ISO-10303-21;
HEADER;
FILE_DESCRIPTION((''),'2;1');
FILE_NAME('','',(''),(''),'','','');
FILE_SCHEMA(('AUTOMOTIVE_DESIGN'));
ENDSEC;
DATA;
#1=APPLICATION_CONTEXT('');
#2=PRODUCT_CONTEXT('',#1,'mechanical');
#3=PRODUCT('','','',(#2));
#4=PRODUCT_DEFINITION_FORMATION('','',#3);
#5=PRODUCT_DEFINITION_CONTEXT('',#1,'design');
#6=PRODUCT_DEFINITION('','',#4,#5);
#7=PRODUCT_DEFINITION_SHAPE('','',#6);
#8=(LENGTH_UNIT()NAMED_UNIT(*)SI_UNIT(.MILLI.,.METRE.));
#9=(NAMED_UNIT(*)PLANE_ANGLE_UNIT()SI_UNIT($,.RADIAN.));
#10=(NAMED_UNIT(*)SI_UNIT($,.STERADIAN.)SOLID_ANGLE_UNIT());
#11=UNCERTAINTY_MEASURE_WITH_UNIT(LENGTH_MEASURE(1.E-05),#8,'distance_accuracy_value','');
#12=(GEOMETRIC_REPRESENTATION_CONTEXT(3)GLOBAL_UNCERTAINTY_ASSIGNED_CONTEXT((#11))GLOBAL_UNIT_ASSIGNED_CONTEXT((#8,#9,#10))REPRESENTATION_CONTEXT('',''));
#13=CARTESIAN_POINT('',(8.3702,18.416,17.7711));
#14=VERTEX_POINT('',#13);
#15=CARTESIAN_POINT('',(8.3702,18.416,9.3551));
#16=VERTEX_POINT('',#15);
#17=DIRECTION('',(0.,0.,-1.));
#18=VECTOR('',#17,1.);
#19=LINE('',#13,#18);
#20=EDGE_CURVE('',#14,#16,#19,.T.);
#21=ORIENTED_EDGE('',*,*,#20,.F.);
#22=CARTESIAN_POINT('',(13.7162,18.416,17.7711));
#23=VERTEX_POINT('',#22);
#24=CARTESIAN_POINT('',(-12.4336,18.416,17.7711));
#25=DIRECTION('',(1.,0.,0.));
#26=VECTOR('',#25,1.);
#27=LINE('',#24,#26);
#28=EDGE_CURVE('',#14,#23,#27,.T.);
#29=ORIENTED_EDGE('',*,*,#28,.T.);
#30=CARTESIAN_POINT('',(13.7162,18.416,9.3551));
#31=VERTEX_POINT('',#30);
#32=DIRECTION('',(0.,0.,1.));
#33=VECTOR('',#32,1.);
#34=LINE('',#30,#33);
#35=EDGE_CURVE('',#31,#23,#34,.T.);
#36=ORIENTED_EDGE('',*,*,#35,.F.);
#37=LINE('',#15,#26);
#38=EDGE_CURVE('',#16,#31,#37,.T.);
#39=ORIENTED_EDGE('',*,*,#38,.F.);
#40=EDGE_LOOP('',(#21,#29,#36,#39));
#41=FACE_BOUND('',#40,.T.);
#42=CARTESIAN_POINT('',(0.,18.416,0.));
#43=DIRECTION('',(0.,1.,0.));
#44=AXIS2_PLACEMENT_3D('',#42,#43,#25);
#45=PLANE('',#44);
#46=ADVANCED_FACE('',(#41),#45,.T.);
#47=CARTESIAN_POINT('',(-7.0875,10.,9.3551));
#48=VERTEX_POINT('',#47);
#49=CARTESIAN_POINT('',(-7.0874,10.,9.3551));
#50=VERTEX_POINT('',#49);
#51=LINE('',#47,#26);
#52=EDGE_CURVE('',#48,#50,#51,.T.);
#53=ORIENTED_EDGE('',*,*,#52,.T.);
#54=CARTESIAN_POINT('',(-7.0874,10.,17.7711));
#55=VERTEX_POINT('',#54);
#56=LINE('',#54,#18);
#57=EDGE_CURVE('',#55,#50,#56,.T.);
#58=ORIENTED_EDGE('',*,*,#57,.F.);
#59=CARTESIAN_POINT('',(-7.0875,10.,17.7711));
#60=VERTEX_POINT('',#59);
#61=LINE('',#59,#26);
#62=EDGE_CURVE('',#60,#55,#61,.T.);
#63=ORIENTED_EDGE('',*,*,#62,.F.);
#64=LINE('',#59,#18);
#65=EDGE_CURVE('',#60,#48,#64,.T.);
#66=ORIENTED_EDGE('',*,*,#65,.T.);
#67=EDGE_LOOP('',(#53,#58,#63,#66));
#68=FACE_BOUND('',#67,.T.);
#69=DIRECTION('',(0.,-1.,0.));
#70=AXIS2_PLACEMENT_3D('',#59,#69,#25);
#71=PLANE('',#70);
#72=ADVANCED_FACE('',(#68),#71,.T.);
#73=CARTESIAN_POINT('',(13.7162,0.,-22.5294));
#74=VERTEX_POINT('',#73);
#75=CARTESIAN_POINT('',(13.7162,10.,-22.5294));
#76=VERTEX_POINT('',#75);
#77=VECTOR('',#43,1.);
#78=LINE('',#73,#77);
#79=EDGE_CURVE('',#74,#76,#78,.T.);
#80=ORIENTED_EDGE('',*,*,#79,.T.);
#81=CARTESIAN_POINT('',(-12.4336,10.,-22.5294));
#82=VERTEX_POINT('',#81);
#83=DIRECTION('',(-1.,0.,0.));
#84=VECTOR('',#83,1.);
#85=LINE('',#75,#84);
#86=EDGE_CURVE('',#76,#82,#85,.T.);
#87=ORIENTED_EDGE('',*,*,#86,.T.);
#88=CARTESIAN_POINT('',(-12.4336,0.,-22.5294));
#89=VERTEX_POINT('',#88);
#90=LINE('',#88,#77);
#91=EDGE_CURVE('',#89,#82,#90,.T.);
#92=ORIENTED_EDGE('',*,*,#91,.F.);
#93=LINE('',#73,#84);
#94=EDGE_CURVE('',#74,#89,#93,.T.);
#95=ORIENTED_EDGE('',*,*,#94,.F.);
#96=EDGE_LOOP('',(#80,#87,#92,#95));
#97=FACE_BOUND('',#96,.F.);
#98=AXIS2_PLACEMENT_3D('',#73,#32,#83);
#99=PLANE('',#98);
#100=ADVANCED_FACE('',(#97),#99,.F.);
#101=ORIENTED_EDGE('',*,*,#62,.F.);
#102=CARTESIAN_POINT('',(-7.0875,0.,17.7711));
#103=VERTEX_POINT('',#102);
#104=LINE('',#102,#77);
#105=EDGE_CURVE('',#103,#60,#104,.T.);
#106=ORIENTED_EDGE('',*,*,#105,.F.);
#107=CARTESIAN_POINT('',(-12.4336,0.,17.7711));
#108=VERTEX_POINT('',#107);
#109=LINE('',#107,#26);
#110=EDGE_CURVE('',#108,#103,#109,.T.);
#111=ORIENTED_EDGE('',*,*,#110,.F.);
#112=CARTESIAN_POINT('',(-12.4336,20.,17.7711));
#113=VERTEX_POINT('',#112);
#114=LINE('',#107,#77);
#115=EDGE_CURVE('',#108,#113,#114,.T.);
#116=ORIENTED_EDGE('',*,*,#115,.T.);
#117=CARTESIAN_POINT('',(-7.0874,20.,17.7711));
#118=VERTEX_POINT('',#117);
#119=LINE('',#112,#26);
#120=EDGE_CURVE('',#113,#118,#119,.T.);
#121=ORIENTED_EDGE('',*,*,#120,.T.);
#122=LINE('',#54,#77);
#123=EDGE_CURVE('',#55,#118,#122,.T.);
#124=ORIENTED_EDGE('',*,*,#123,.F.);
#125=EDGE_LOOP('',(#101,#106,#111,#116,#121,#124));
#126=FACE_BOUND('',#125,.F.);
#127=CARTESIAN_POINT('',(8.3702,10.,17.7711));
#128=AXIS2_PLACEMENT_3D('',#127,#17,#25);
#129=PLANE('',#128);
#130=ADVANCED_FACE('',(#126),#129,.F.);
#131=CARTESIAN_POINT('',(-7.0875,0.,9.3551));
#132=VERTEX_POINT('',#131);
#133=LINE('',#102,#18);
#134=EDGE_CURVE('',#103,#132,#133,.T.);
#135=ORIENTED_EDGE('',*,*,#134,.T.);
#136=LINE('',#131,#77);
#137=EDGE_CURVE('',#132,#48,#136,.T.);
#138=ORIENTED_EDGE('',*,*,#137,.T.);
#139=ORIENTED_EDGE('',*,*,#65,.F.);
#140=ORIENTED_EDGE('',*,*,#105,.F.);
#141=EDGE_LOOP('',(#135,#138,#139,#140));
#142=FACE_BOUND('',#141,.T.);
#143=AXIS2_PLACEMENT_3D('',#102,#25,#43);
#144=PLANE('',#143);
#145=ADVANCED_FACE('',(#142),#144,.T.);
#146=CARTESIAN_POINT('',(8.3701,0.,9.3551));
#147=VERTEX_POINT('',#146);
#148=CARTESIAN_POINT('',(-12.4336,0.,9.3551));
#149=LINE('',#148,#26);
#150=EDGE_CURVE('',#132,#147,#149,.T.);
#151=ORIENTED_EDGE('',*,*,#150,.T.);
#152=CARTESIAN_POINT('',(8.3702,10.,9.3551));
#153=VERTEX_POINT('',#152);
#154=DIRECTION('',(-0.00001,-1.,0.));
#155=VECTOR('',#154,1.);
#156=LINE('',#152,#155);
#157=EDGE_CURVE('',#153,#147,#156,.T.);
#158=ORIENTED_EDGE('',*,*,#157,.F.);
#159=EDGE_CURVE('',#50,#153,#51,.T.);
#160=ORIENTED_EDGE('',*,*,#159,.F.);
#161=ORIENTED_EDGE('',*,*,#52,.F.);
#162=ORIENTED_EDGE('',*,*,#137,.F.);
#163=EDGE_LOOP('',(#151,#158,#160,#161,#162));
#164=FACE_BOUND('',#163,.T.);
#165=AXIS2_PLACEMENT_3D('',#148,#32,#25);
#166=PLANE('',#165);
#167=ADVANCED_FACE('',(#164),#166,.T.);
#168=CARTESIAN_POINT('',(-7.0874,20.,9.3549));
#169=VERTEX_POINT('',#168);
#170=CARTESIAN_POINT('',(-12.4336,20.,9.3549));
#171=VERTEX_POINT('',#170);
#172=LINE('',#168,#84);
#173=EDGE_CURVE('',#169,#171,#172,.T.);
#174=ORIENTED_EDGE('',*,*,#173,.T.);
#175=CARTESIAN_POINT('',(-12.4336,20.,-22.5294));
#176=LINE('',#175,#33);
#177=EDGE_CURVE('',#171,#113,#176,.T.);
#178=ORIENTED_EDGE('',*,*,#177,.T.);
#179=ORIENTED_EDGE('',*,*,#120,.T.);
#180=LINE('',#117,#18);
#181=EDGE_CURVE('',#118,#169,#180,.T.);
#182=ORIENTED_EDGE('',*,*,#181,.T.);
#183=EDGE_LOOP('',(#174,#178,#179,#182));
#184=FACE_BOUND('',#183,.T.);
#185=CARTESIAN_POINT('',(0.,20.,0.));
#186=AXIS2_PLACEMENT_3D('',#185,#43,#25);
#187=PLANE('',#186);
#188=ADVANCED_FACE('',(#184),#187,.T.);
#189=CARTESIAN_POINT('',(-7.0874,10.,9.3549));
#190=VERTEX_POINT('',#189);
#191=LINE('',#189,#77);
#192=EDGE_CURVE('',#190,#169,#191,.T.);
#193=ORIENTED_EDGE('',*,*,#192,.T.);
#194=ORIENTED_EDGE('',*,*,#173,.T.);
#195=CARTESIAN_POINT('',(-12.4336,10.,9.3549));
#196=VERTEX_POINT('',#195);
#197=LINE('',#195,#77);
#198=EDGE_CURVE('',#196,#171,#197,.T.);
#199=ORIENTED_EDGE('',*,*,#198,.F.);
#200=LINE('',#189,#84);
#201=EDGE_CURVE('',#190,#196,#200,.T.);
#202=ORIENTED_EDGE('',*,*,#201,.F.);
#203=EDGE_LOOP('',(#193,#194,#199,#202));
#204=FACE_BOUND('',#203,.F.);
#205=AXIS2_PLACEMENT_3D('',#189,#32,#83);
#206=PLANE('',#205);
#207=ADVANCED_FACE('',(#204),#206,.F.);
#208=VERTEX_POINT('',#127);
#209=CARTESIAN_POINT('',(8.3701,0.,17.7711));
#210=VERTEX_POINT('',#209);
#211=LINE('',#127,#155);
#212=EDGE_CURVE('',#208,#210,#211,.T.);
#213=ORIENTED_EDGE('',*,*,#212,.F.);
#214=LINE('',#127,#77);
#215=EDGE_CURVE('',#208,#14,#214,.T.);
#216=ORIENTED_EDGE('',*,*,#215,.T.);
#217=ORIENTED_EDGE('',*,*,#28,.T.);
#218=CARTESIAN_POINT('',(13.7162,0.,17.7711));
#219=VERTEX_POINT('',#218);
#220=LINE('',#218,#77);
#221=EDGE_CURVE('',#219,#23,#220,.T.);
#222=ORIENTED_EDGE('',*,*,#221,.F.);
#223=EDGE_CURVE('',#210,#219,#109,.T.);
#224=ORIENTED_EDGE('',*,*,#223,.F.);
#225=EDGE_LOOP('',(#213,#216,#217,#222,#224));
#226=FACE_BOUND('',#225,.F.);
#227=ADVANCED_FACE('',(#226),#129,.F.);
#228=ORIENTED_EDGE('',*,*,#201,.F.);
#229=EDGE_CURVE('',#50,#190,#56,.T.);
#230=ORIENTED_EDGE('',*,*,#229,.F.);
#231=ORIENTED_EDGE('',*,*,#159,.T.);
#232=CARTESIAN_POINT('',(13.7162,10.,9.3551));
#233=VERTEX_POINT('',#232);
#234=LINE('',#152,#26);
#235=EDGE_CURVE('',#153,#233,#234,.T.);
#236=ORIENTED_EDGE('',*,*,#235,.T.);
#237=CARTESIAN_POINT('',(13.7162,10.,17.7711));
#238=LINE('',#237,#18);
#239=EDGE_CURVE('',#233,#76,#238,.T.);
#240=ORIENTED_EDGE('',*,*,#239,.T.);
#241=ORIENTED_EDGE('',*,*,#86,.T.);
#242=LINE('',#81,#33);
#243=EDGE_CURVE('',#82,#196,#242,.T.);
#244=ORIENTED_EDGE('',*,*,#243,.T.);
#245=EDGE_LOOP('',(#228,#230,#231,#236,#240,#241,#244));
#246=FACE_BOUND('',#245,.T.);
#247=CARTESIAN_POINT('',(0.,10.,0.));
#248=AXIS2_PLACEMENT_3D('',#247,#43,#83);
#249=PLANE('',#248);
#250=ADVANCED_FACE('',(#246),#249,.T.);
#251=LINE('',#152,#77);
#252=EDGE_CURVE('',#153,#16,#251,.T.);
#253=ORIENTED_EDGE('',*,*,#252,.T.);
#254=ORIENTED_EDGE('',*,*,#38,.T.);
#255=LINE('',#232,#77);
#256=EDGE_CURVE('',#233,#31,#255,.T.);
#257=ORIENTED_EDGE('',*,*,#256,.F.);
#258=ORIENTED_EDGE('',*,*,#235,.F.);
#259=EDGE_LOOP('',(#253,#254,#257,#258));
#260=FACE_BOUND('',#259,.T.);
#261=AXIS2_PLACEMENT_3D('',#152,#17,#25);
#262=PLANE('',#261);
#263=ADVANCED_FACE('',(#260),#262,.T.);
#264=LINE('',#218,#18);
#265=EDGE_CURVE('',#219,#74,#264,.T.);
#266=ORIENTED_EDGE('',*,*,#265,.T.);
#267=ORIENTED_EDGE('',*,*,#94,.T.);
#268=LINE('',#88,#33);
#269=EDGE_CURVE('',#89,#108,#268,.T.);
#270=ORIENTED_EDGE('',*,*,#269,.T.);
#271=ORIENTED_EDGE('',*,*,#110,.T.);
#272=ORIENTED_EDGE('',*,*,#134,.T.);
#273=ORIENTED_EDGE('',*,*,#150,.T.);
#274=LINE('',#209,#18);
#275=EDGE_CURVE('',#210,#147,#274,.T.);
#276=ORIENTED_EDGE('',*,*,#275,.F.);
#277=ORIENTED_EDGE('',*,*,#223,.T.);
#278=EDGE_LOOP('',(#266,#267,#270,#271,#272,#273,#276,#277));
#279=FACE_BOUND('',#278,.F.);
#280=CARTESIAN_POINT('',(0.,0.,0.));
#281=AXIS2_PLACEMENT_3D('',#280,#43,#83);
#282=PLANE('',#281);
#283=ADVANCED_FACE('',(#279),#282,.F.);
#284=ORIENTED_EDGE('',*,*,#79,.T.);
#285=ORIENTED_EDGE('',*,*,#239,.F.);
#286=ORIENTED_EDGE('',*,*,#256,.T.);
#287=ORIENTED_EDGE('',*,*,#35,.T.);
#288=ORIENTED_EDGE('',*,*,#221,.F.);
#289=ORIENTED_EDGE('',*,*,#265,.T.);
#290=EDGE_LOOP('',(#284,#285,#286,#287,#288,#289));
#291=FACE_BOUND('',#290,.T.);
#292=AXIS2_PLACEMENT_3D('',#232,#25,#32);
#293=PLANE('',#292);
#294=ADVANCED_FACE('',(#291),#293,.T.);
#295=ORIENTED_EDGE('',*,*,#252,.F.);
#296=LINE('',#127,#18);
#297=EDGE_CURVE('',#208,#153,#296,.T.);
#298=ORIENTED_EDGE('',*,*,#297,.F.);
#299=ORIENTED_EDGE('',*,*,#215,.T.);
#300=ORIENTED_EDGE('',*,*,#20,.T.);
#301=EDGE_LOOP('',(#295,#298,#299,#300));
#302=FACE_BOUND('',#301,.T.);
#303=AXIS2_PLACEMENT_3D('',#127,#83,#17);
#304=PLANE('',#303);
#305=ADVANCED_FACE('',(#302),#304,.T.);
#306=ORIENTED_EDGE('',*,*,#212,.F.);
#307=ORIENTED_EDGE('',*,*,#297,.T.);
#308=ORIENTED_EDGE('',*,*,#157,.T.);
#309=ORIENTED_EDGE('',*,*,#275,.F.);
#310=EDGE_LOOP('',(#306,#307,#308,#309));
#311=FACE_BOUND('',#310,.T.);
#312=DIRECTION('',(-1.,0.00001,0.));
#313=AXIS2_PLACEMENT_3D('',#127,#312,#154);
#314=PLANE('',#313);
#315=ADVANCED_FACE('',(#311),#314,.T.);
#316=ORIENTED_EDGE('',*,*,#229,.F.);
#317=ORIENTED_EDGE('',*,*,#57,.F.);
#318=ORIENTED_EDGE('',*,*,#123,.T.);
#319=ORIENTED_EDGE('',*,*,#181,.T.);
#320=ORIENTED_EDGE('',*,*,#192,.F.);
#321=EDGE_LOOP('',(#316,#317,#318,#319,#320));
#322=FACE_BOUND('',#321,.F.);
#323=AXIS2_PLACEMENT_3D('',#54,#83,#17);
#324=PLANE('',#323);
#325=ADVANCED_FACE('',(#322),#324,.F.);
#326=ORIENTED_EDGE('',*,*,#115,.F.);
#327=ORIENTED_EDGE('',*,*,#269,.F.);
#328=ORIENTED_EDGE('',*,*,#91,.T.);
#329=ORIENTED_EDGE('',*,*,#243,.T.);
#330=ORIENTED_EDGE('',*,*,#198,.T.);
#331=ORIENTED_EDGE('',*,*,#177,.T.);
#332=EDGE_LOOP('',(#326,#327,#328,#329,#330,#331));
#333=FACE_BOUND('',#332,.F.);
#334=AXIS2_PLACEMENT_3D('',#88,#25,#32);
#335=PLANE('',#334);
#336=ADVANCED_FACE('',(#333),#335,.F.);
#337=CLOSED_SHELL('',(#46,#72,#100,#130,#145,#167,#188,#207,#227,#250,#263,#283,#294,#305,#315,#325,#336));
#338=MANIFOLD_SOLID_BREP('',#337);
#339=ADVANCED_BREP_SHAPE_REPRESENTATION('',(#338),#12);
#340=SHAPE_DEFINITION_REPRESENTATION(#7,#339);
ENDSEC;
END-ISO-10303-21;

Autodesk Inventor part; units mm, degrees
ref_plane "YZ Plane" through (0, 0, 0) normal (1, 0, 0) x (0, 1, 0)
ref_plane "XZ Plane" through (0, 0, 0) normal (0, 1, 0) x (-1, 0, 0)
ref_plane "XY Plane" through (0, 0, 0) normal (0, 0, 1) x (1, 0, 0)
sketch "스케치2" plane through (0, 0, 0) normal (0, 1, 0) x (-1, 0, 0)
  line L0 (12.4336, 17.7711) -> (-13.7162, 17.7711)
  line L1 (-13.7162, 17.7711) -> (-13.7162, -22.5294)
  line L2 (-13.7162, -22.5294) -> (12.4336, -22.5294)
  line L3 (12.4336, -22.5294) -> (12.4336, 17.7711)
  point P0 (0, 0)
extrude "돌출1" add sketch "스케치2" along normal blind 10
sketch "스케치3" plane through (0, 10, 0) normal (0, 1, 0) x (1, 0, 0)
  line L0 (-12.4336, 22.5294) -> (-12.4336, -17.7711) projected
  line L1 (-12.4336, -17.7711) -> (-7.0874, -17.7711)
  line L2 (-7.0874, -17.7711) -> (-7.0874, -9.3549)
  line L3 (-7.0874, -9.3549) -> (-12.4336, -9.3549)
  line L4 (-12.4336, -9.3549) -> (-12.4336, -17.7711)
  point P0 (0, 0)
extrude "돌출2" add sketch "스케치3" along normal blind 10
sketch "스케치4" plane through (0, 10, 0) normal (0, 1, 0) x (1, 0, 0)
  line L0 (-12.4336, -17.7711) -> (13.7162, -17.7711) projected
  line L1 (13.7162, -17.7711) -> (8.3702, -17.7711)
  line L2 (8.3702, -17.7711) -> (8.3702, -9.3551)
  line L3 (8.3702, -9.3551) -> (13.7162, -9.3551)
  line L4 (13.7162, -9.3551) -> (13.7162, -17.7711)
  point P0 (0, 0)
  dimension "d4" = 5.346
  dimension "d5" = 8.416
extrude "돌출3" add sketch "스케치4" along normal blind 8.416
sketch "스케치5" plane through (-12.4336, 0, 17.7711) normal (0, 0, 1) x (1, 0, 0)
  line L0 (5.3461, 10) -> (20.8038, 10) projected
  line L1 (0, 0) -> (26.1498, 0) projected
  line L2 (5.3461, 10) -> (20.8037, 10)
  line L3 (20.8037, 10) -> (20.8037, 0)
  line L4 (20.8037, 0) -> (5.3461, 0)
  line L5 (5.3461, 0) -> (5.3461, 10)
  point P0 (12.4336, 0)
  dimension "d8" = 26.1498
sketch "스케치6" plane through (0, 20, 0) normal (0, 1, 0) x (1, 0, 0)
  point P0 (0, 0)
extrude "돌출4" cut sketch "스케치5" against normal blind 8.416
equation "\"d6\" = d5"
properties part number "공부용"
